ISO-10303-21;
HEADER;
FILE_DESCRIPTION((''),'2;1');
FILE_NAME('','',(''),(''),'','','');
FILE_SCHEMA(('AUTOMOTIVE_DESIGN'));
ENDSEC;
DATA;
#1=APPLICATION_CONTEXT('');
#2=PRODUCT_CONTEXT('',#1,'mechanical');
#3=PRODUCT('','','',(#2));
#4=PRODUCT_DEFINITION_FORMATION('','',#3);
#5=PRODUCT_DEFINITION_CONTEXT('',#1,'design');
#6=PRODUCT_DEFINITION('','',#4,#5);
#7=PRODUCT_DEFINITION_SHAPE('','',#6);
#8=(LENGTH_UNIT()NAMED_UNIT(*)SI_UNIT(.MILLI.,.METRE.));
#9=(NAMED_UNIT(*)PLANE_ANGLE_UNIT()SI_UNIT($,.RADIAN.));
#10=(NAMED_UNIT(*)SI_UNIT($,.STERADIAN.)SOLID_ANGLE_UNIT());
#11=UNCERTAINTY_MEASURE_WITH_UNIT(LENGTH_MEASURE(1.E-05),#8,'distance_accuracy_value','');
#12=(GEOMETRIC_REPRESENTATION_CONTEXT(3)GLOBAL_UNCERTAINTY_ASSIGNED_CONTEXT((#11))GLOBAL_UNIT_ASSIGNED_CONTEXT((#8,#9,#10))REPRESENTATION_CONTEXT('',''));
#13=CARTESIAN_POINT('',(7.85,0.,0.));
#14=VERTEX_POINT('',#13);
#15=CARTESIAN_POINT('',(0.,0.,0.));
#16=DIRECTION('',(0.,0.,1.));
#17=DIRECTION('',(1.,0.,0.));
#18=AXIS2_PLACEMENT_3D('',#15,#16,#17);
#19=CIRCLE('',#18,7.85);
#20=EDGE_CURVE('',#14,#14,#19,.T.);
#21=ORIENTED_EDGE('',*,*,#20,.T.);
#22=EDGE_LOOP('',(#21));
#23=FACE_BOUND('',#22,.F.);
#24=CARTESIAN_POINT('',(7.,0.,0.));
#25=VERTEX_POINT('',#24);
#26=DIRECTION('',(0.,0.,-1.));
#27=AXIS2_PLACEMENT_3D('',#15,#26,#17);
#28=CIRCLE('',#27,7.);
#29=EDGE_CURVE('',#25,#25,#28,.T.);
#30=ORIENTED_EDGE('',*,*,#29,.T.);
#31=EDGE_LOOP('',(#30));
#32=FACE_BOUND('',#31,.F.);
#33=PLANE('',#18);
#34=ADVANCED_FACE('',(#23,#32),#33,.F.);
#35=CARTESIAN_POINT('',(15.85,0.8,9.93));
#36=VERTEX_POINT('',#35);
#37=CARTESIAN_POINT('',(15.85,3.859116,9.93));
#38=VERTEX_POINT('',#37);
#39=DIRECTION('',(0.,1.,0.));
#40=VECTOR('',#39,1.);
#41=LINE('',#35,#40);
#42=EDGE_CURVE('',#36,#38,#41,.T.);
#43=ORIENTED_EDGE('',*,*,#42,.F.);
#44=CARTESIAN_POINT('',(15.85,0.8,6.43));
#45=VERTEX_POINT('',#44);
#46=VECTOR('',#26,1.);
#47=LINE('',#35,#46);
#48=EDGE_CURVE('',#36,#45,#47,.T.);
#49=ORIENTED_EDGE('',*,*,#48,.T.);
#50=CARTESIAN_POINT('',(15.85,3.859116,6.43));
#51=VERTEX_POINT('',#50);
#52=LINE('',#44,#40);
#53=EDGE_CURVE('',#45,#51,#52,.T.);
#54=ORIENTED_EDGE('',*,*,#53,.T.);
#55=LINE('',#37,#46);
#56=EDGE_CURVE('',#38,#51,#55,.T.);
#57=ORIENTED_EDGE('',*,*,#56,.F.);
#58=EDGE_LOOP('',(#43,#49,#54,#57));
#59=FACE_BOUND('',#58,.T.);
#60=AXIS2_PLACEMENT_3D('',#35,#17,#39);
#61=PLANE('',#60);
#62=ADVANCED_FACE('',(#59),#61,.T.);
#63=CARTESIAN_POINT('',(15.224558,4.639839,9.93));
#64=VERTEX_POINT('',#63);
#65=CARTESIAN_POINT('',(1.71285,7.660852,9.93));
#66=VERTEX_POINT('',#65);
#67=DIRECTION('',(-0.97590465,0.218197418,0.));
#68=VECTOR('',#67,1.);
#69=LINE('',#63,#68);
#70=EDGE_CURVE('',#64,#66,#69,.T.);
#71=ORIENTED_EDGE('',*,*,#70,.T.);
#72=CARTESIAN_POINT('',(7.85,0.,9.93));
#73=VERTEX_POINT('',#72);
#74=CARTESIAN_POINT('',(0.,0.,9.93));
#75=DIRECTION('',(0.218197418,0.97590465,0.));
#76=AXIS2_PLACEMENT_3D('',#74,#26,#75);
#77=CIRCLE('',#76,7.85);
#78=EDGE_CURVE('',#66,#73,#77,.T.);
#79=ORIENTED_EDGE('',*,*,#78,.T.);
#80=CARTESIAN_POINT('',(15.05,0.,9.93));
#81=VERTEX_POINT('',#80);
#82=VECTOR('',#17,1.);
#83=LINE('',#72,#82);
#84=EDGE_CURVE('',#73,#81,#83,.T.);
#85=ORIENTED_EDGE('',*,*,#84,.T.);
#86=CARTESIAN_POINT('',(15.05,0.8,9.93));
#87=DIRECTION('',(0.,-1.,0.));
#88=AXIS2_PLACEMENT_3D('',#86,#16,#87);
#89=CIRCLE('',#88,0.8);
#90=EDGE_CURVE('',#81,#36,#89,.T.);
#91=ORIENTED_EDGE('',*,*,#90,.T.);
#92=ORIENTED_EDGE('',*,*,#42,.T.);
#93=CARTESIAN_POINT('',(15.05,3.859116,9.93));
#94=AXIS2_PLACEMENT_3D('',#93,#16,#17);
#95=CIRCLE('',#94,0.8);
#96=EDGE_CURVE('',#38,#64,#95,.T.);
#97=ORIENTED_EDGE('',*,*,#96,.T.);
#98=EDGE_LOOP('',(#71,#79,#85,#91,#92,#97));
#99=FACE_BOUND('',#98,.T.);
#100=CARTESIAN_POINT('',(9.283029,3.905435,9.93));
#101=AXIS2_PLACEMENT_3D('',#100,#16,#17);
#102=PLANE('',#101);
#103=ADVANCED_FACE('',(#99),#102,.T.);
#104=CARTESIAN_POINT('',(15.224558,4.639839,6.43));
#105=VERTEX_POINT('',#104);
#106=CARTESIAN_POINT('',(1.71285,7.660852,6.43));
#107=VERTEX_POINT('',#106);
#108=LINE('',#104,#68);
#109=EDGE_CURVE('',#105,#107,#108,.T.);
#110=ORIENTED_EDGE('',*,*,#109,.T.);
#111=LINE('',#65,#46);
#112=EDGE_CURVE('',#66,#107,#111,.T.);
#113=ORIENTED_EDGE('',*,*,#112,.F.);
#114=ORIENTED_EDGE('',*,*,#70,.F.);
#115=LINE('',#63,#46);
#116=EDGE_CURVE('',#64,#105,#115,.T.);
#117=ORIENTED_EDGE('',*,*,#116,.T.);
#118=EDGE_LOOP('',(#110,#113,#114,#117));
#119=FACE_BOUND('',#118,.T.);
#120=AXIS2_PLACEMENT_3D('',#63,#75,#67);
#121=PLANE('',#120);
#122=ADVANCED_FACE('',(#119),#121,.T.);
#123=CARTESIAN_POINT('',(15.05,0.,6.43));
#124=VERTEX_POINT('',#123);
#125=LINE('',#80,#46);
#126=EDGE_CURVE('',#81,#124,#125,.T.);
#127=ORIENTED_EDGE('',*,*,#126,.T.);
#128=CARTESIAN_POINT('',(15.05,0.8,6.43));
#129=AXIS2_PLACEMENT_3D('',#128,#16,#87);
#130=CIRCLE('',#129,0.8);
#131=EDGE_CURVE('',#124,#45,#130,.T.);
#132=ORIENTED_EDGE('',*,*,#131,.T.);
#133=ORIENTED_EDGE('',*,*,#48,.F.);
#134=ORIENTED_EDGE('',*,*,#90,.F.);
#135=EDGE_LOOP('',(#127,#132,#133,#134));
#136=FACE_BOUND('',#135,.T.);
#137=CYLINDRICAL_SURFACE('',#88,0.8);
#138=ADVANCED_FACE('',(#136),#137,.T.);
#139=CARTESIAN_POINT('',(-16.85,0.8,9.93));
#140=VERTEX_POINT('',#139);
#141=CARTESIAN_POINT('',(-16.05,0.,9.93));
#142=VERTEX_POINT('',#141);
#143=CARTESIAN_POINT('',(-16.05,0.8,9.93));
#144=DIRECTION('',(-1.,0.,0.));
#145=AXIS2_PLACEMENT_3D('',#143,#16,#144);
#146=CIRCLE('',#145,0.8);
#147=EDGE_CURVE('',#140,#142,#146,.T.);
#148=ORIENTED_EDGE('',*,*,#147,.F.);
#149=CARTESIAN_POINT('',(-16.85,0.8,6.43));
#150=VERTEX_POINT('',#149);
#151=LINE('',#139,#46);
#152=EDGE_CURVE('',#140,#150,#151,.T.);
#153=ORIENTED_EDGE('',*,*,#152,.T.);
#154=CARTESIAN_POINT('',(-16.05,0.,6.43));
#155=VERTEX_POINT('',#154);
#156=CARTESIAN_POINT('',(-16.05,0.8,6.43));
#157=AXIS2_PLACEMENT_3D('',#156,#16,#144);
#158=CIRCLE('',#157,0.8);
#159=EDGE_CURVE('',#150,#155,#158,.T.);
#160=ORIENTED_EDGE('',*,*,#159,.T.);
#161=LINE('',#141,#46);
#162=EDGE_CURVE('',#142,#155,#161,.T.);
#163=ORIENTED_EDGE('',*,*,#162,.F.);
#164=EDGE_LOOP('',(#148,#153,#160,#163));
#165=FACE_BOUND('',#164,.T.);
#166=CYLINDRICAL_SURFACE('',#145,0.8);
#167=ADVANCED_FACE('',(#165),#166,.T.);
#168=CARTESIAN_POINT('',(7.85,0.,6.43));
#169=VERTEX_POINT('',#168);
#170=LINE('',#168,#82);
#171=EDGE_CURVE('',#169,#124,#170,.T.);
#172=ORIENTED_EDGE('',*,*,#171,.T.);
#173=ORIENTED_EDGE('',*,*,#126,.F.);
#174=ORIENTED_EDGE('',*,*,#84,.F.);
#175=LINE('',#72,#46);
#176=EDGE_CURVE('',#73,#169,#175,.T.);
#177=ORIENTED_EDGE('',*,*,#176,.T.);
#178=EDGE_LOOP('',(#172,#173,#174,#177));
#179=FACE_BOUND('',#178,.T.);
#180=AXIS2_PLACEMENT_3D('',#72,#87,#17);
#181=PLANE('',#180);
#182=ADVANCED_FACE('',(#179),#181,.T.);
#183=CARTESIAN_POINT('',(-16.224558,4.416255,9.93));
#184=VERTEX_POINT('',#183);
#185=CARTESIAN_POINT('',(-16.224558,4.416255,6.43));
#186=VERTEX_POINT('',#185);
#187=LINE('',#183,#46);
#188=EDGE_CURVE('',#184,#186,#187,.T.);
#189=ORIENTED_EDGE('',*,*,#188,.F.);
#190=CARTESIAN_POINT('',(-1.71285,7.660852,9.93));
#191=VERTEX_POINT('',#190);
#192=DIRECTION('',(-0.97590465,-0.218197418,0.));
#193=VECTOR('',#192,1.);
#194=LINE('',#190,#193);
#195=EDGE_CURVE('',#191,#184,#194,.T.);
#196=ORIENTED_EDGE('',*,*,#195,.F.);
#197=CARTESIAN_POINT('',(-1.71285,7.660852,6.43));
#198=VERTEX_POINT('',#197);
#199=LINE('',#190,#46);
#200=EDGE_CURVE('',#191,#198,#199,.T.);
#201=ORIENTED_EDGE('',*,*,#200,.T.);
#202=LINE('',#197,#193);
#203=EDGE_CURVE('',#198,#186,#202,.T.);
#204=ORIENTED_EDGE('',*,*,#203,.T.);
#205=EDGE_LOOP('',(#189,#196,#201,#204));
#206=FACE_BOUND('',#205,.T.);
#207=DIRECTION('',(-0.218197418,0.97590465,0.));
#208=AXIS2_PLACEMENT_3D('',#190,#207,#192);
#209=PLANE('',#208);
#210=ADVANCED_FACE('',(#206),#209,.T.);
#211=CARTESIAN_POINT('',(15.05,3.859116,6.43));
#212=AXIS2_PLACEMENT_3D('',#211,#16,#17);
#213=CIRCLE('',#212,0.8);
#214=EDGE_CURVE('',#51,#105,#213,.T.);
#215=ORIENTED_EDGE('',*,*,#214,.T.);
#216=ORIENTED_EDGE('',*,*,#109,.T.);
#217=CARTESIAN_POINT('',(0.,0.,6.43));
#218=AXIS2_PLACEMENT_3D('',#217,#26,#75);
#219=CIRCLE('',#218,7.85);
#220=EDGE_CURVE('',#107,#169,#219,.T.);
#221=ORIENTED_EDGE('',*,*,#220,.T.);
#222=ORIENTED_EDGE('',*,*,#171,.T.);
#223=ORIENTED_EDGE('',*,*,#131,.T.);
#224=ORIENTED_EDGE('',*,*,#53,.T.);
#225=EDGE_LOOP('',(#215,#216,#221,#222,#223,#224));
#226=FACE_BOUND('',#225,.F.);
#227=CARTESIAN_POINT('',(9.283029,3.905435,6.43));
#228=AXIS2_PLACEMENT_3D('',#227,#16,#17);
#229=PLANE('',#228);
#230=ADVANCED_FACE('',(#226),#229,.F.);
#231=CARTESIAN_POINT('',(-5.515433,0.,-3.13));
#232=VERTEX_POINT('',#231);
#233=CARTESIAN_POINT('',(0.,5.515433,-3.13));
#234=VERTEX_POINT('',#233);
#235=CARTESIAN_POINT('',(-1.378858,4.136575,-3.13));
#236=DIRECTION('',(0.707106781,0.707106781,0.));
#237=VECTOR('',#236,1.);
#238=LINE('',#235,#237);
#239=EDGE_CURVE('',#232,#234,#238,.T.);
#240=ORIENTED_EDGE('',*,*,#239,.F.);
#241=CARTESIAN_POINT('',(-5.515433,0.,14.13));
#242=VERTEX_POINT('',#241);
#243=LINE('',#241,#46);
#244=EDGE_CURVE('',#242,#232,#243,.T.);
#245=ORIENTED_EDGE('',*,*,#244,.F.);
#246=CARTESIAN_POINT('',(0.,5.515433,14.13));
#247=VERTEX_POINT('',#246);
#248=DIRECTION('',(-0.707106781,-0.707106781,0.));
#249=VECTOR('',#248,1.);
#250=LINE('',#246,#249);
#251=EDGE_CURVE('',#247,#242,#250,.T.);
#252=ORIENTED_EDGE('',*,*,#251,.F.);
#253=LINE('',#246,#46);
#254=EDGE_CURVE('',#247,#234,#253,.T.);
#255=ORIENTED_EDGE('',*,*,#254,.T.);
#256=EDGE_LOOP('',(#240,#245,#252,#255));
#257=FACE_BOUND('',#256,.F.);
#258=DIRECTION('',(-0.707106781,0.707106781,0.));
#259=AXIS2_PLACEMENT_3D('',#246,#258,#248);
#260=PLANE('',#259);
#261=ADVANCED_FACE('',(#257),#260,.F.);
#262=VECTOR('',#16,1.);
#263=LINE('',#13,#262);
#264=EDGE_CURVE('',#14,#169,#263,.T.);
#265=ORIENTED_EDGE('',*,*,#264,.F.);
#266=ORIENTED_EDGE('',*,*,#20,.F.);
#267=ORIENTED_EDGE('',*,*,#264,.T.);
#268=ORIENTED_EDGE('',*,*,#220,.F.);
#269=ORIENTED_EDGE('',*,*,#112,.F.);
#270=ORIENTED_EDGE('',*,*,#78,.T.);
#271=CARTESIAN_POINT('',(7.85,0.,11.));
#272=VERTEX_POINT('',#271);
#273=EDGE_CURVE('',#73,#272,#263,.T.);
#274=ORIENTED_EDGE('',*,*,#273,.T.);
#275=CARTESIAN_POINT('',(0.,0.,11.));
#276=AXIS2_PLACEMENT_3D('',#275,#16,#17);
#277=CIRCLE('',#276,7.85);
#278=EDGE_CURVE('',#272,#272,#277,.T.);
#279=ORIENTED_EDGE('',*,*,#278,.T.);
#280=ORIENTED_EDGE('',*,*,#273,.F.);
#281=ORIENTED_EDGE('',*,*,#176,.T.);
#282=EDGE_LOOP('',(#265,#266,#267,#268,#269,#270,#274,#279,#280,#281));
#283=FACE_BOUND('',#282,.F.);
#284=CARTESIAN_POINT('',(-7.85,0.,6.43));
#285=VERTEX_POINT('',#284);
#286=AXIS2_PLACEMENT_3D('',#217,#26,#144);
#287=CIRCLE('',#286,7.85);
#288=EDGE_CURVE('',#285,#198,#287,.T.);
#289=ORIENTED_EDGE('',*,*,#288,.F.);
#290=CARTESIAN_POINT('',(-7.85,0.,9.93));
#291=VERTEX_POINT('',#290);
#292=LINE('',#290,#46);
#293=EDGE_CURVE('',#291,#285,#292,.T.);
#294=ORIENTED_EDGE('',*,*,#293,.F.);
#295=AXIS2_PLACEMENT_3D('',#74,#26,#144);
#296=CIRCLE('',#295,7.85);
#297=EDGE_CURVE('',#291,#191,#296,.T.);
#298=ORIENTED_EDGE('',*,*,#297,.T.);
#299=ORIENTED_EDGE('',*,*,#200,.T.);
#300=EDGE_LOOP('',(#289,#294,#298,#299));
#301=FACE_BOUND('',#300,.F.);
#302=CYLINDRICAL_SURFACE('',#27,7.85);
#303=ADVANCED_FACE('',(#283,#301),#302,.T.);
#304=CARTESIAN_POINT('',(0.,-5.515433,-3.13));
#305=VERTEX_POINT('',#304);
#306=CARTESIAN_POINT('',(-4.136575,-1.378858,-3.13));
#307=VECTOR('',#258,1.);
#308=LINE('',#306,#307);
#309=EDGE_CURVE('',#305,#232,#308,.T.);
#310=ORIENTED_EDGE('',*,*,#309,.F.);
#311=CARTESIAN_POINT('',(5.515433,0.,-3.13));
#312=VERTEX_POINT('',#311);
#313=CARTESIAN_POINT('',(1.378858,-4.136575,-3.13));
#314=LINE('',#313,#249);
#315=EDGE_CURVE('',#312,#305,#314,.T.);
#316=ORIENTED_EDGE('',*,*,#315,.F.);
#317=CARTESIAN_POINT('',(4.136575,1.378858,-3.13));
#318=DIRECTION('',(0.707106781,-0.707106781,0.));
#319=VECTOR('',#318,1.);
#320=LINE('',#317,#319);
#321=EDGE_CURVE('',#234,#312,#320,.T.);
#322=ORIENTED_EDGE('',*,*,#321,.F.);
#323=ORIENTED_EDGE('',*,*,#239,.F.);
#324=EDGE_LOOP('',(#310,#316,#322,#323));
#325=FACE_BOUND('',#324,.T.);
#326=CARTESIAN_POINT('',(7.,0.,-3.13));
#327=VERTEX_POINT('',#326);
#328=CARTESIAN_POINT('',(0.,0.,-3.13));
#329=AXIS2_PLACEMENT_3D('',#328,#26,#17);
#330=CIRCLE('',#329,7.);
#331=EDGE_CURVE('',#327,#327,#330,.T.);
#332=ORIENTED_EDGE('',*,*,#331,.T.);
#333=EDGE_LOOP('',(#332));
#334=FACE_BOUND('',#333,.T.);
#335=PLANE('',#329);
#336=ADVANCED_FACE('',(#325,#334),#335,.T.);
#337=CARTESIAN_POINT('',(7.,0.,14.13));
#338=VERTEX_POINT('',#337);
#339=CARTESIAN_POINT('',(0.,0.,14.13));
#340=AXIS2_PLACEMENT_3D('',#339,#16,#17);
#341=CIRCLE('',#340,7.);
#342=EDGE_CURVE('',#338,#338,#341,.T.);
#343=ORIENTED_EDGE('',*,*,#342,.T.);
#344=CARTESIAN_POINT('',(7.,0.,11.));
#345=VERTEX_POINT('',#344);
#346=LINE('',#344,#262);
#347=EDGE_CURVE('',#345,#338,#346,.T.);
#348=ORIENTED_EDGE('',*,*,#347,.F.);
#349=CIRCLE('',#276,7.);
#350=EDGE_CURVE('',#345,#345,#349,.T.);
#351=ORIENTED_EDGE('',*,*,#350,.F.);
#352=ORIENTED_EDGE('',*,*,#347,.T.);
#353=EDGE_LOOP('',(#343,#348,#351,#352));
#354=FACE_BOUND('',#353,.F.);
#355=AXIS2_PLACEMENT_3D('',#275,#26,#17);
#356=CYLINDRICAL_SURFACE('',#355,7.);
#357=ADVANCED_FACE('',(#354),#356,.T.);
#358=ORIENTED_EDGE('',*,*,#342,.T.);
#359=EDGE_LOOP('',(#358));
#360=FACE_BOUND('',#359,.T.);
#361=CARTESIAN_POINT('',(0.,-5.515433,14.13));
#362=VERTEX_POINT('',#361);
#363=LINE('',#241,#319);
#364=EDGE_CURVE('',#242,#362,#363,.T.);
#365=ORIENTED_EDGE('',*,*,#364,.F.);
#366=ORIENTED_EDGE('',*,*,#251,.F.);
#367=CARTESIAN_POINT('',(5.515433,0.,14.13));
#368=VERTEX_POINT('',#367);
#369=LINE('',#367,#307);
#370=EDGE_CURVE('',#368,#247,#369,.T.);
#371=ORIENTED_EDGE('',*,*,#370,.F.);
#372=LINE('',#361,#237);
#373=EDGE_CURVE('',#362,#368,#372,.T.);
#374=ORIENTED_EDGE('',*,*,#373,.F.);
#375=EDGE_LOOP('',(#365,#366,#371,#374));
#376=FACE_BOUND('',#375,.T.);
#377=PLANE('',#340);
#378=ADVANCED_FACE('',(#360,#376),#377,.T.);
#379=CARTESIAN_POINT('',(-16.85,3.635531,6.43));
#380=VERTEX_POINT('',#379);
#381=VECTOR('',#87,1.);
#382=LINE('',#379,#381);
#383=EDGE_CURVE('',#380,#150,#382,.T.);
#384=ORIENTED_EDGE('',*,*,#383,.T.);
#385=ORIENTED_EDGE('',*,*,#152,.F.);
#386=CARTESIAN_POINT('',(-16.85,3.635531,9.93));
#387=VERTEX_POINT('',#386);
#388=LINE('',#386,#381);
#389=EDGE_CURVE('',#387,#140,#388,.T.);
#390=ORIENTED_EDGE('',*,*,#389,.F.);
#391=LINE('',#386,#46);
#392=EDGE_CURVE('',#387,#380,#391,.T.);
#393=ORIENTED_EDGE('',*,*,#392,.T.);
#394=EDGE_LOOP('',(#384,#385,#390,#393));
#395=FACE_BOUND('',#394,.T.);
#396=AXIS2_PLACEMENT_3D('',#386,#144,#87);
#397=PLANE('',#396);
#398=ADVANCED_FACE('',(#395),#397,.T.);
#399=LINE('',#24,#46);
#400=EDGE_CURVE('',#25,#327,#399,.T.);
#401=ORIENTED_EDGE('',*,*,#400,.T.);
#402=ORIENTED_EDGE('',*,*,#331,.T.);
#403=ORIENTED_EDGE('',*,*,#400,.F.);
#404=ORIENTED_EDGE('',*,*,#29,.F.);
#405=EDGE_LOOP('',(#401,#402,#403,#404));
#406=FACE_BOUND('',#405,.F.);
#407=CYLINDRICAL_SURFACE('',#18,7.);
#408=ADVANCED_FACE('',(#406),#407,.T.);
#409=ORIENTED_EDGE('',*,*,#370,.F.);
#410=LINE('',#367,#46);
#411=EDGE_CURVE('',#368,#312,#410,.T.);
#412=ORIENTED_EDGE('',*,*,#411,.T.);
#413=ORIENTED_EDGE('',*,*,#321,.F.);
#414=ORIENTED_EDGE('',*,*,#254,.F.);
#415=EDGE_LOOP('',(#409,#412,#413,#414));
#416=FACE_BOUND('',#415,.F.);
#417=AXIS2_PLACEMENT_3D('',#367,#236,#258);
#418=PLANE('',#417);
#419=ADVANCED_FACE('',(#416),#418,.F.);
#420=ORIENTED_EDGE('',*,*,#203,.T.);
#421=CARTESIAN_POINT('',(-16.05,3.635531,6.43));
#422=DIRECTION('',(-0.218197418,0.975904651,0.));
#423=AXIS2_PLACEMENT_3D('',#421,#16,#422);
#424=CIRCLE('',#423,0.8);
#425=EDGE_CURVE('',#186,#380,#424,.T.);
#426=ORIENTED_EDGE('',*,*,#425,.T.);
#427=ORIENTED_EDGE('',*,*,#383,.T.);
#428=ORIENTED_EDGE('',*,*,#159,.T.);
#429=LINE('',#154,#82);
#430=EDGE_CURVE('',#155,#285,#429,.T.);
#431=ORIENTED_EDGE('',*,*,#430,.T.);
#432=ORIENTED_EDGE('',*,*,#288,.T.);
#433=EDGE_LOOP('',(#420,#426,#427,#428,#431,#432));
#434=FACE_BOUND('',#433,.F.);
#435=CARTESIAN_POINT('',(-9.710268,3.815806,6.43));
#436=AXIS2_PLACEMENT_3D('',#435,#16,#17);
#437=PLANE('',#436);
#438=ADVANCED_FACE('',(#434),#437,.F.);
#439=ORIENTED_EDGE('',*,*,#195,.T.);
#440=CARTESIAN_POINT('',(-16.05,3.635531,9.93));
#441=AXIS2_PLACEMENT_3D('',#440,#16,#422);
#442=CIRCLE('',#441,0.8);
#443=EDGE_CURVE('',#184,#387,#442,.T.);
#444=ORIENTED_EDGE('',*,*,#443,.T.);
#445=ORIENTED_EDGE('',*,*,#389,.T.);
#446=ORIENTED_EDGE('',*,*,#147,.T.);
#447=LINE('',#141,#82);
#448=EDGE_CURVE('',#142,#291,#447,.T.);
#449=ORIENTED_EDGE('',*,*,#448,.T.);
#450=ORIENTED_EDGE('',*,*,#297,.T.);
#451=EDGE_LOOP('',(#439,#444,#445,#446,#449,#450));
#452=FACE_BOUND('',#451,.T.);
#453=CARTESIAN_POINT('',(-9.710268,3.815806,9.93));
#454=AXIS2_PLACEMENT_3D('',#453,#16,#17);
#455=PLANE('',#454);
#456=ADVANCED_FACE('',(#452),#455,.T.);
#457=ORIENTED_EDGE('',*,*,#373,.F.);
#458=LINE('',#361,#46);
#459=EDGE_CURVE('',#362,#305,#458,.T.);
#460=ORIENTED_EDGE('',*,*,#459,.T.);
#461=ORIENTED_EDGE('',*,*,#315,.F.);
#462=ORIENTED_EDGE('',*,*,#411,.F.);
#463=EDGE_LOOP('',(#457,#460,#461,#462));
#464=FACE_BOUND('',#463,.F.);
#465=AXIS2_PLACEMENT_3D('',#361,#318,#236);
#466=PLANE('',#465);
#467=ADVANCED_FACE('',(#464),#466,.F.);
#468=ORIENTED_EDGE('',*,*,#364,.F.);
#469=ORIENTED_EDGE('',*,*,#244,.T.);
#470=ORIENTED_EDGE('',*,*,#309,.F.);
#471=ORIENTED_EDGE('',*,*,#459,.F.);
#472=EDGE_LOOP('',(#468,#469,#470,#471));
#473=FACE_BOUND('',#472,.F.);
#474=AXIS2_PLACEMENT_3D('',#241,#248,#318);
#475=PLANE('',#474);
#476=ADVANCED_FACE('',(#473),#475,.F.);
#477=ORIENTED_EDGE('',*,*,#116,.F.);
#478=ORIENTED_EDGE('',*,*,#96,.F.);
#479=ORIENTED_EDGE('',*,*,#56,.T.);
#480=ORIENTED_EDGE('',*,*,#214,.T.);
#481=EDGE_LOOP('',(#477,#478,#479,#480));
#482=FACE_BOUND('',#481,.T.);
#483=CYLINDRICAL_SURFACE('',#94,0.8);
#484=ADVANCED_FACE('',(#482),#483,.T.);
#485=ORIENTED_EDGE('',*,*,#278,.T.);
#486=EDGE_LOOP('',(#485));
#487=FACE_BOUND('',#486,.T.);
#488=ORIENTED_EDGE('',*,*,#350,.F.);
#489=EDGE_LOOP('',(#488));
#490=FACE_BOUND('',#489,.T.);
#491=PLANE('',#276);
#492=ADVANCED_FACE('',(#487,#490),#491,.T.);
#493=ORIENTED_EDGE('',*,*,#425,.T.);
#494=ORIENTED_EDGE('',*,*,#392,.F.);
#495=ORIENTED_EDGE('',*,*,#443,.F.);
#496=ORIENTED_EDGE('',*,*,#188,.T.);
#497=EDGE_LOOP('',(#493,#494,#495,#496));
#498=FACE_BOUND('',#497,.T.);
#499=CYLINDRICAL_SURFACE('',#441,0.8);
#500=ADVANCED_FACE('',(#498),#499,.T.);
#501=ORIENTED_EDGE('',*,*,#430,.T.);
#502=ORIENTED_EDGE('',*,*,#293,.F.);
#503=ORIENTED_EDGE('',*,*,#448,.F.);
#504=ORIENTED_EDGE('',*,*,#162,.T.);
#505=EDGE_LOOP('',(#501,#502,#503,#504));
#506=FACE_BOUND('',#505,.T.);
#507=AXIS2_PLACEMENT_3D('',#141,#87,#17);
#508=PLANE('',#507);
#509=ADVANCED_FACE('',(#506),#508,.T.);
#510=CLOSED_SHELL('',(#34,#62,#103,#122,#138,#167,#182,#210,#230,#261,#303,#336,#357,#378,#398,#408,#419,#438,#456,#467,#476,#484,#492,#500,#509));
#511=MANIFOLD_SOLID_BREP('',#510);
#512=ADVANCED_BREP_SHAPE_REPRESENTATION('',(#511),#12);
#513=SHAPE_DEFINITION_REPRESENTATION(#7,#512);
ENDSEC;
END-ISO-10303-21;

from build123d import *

# Parameters (mm, degrees)
F0_R      = 7.85
F1_DEPTH  = 11
F2_R      = 7
F3_DEPTH  = 3.13
F4_R      = 7
F5_DEPTH  = 3.13
F7_DEPTH  = 17.261
F10_DEPTH = 3.5


with BuildPart() as f1:
    # F0 (on Top) → F1 (new body)
    with BuildSketch(Plane.XY):
        Circle(F0_R)
    extrude(amount=F1_DEPTH)

    # F2 (on face) → F3 (join)
    with BuildSketch(Plane.XY.offset(11)):
        Circle(F2_R)
    extrude(amount=F3_DEPTH)

    # F4 (on face) → F5 (join)
    with BuildSketch(Plane(origin=(0, 0, 0), x_dir=(1, 0, 0), z_dir=(0, 0, -1))):
        Circle(F4_R)
    extrude(amount=F5_DEPTH)

    # F6 (on face) → F7 (cut, through all)
    with BuildSketch(Plane.XY.offset(14.13)):
        Polygon((5.5154328933, 0), (0, 5.5154328933), (0, 0), align=None)
        Polygon((0, 0), (0, 5.5154328933), (-5.5154328933, 0), align=None)
        Polygon((5.5154328933, 0), (0, 0), (0, -5.5154328933), align=None)
        Polygon((0, -5.5154328933), (0, 0), (-5.5154328933, 0), align=None)
    extrude(amount=-F7_DEPTH, mode=Mode.SUBTRACT)

    # F9 (on offset) → F10 (join)
    with BuildSketch(Plane.XY.offset(9.93)):
        with BuildLine():
            Line((-16.05, 0), (-7.85, 0))
            ThreePointArc((-7.85, 0), (-6.1265149302, 4.9079848013), (-1.7128497301, 7.6608515063))
            Line((-1.7128497301, 7.6608515063), (-16.2245579343, 4.41625455))
            ThreePointArc((-16.2245579343, 4.41625455), (-16.6743582095, 4.1357076247), (-16.85, 3.6355308296))
            Line((-16.85, 3.6355308296), (-16.85, 0.8))
            ThreePointArc((-16.85, 0.8), (-16.6156854249, 0.2343145751), (-16.05, 0))
        make_face()
        with BuildLine():
            ThreePointArc((1.7128497301, 7.6608515063), (6.1265149302, 4.9079848013), (7.85, 0))
            Line((7.85, 0), (15.05, 0))
            ThreePointArc((15.05, 0), (15.6156854249, 0.2343145751), (15.85, 0.8))
            Line((15.85, 0.8), (15.85, 3.8591156007))
            ThreePointArc((15.85, 3.8591156007), (15.6743582095, 4.3592923957), (15.2245579343, 4.6398393211))
            Line((15.2245579343, 4.6398393211), (1.7128497301, 7.6608515063))
        make_face()
    extrude(amount=-F10_DEPTH)


solid = f1.part
